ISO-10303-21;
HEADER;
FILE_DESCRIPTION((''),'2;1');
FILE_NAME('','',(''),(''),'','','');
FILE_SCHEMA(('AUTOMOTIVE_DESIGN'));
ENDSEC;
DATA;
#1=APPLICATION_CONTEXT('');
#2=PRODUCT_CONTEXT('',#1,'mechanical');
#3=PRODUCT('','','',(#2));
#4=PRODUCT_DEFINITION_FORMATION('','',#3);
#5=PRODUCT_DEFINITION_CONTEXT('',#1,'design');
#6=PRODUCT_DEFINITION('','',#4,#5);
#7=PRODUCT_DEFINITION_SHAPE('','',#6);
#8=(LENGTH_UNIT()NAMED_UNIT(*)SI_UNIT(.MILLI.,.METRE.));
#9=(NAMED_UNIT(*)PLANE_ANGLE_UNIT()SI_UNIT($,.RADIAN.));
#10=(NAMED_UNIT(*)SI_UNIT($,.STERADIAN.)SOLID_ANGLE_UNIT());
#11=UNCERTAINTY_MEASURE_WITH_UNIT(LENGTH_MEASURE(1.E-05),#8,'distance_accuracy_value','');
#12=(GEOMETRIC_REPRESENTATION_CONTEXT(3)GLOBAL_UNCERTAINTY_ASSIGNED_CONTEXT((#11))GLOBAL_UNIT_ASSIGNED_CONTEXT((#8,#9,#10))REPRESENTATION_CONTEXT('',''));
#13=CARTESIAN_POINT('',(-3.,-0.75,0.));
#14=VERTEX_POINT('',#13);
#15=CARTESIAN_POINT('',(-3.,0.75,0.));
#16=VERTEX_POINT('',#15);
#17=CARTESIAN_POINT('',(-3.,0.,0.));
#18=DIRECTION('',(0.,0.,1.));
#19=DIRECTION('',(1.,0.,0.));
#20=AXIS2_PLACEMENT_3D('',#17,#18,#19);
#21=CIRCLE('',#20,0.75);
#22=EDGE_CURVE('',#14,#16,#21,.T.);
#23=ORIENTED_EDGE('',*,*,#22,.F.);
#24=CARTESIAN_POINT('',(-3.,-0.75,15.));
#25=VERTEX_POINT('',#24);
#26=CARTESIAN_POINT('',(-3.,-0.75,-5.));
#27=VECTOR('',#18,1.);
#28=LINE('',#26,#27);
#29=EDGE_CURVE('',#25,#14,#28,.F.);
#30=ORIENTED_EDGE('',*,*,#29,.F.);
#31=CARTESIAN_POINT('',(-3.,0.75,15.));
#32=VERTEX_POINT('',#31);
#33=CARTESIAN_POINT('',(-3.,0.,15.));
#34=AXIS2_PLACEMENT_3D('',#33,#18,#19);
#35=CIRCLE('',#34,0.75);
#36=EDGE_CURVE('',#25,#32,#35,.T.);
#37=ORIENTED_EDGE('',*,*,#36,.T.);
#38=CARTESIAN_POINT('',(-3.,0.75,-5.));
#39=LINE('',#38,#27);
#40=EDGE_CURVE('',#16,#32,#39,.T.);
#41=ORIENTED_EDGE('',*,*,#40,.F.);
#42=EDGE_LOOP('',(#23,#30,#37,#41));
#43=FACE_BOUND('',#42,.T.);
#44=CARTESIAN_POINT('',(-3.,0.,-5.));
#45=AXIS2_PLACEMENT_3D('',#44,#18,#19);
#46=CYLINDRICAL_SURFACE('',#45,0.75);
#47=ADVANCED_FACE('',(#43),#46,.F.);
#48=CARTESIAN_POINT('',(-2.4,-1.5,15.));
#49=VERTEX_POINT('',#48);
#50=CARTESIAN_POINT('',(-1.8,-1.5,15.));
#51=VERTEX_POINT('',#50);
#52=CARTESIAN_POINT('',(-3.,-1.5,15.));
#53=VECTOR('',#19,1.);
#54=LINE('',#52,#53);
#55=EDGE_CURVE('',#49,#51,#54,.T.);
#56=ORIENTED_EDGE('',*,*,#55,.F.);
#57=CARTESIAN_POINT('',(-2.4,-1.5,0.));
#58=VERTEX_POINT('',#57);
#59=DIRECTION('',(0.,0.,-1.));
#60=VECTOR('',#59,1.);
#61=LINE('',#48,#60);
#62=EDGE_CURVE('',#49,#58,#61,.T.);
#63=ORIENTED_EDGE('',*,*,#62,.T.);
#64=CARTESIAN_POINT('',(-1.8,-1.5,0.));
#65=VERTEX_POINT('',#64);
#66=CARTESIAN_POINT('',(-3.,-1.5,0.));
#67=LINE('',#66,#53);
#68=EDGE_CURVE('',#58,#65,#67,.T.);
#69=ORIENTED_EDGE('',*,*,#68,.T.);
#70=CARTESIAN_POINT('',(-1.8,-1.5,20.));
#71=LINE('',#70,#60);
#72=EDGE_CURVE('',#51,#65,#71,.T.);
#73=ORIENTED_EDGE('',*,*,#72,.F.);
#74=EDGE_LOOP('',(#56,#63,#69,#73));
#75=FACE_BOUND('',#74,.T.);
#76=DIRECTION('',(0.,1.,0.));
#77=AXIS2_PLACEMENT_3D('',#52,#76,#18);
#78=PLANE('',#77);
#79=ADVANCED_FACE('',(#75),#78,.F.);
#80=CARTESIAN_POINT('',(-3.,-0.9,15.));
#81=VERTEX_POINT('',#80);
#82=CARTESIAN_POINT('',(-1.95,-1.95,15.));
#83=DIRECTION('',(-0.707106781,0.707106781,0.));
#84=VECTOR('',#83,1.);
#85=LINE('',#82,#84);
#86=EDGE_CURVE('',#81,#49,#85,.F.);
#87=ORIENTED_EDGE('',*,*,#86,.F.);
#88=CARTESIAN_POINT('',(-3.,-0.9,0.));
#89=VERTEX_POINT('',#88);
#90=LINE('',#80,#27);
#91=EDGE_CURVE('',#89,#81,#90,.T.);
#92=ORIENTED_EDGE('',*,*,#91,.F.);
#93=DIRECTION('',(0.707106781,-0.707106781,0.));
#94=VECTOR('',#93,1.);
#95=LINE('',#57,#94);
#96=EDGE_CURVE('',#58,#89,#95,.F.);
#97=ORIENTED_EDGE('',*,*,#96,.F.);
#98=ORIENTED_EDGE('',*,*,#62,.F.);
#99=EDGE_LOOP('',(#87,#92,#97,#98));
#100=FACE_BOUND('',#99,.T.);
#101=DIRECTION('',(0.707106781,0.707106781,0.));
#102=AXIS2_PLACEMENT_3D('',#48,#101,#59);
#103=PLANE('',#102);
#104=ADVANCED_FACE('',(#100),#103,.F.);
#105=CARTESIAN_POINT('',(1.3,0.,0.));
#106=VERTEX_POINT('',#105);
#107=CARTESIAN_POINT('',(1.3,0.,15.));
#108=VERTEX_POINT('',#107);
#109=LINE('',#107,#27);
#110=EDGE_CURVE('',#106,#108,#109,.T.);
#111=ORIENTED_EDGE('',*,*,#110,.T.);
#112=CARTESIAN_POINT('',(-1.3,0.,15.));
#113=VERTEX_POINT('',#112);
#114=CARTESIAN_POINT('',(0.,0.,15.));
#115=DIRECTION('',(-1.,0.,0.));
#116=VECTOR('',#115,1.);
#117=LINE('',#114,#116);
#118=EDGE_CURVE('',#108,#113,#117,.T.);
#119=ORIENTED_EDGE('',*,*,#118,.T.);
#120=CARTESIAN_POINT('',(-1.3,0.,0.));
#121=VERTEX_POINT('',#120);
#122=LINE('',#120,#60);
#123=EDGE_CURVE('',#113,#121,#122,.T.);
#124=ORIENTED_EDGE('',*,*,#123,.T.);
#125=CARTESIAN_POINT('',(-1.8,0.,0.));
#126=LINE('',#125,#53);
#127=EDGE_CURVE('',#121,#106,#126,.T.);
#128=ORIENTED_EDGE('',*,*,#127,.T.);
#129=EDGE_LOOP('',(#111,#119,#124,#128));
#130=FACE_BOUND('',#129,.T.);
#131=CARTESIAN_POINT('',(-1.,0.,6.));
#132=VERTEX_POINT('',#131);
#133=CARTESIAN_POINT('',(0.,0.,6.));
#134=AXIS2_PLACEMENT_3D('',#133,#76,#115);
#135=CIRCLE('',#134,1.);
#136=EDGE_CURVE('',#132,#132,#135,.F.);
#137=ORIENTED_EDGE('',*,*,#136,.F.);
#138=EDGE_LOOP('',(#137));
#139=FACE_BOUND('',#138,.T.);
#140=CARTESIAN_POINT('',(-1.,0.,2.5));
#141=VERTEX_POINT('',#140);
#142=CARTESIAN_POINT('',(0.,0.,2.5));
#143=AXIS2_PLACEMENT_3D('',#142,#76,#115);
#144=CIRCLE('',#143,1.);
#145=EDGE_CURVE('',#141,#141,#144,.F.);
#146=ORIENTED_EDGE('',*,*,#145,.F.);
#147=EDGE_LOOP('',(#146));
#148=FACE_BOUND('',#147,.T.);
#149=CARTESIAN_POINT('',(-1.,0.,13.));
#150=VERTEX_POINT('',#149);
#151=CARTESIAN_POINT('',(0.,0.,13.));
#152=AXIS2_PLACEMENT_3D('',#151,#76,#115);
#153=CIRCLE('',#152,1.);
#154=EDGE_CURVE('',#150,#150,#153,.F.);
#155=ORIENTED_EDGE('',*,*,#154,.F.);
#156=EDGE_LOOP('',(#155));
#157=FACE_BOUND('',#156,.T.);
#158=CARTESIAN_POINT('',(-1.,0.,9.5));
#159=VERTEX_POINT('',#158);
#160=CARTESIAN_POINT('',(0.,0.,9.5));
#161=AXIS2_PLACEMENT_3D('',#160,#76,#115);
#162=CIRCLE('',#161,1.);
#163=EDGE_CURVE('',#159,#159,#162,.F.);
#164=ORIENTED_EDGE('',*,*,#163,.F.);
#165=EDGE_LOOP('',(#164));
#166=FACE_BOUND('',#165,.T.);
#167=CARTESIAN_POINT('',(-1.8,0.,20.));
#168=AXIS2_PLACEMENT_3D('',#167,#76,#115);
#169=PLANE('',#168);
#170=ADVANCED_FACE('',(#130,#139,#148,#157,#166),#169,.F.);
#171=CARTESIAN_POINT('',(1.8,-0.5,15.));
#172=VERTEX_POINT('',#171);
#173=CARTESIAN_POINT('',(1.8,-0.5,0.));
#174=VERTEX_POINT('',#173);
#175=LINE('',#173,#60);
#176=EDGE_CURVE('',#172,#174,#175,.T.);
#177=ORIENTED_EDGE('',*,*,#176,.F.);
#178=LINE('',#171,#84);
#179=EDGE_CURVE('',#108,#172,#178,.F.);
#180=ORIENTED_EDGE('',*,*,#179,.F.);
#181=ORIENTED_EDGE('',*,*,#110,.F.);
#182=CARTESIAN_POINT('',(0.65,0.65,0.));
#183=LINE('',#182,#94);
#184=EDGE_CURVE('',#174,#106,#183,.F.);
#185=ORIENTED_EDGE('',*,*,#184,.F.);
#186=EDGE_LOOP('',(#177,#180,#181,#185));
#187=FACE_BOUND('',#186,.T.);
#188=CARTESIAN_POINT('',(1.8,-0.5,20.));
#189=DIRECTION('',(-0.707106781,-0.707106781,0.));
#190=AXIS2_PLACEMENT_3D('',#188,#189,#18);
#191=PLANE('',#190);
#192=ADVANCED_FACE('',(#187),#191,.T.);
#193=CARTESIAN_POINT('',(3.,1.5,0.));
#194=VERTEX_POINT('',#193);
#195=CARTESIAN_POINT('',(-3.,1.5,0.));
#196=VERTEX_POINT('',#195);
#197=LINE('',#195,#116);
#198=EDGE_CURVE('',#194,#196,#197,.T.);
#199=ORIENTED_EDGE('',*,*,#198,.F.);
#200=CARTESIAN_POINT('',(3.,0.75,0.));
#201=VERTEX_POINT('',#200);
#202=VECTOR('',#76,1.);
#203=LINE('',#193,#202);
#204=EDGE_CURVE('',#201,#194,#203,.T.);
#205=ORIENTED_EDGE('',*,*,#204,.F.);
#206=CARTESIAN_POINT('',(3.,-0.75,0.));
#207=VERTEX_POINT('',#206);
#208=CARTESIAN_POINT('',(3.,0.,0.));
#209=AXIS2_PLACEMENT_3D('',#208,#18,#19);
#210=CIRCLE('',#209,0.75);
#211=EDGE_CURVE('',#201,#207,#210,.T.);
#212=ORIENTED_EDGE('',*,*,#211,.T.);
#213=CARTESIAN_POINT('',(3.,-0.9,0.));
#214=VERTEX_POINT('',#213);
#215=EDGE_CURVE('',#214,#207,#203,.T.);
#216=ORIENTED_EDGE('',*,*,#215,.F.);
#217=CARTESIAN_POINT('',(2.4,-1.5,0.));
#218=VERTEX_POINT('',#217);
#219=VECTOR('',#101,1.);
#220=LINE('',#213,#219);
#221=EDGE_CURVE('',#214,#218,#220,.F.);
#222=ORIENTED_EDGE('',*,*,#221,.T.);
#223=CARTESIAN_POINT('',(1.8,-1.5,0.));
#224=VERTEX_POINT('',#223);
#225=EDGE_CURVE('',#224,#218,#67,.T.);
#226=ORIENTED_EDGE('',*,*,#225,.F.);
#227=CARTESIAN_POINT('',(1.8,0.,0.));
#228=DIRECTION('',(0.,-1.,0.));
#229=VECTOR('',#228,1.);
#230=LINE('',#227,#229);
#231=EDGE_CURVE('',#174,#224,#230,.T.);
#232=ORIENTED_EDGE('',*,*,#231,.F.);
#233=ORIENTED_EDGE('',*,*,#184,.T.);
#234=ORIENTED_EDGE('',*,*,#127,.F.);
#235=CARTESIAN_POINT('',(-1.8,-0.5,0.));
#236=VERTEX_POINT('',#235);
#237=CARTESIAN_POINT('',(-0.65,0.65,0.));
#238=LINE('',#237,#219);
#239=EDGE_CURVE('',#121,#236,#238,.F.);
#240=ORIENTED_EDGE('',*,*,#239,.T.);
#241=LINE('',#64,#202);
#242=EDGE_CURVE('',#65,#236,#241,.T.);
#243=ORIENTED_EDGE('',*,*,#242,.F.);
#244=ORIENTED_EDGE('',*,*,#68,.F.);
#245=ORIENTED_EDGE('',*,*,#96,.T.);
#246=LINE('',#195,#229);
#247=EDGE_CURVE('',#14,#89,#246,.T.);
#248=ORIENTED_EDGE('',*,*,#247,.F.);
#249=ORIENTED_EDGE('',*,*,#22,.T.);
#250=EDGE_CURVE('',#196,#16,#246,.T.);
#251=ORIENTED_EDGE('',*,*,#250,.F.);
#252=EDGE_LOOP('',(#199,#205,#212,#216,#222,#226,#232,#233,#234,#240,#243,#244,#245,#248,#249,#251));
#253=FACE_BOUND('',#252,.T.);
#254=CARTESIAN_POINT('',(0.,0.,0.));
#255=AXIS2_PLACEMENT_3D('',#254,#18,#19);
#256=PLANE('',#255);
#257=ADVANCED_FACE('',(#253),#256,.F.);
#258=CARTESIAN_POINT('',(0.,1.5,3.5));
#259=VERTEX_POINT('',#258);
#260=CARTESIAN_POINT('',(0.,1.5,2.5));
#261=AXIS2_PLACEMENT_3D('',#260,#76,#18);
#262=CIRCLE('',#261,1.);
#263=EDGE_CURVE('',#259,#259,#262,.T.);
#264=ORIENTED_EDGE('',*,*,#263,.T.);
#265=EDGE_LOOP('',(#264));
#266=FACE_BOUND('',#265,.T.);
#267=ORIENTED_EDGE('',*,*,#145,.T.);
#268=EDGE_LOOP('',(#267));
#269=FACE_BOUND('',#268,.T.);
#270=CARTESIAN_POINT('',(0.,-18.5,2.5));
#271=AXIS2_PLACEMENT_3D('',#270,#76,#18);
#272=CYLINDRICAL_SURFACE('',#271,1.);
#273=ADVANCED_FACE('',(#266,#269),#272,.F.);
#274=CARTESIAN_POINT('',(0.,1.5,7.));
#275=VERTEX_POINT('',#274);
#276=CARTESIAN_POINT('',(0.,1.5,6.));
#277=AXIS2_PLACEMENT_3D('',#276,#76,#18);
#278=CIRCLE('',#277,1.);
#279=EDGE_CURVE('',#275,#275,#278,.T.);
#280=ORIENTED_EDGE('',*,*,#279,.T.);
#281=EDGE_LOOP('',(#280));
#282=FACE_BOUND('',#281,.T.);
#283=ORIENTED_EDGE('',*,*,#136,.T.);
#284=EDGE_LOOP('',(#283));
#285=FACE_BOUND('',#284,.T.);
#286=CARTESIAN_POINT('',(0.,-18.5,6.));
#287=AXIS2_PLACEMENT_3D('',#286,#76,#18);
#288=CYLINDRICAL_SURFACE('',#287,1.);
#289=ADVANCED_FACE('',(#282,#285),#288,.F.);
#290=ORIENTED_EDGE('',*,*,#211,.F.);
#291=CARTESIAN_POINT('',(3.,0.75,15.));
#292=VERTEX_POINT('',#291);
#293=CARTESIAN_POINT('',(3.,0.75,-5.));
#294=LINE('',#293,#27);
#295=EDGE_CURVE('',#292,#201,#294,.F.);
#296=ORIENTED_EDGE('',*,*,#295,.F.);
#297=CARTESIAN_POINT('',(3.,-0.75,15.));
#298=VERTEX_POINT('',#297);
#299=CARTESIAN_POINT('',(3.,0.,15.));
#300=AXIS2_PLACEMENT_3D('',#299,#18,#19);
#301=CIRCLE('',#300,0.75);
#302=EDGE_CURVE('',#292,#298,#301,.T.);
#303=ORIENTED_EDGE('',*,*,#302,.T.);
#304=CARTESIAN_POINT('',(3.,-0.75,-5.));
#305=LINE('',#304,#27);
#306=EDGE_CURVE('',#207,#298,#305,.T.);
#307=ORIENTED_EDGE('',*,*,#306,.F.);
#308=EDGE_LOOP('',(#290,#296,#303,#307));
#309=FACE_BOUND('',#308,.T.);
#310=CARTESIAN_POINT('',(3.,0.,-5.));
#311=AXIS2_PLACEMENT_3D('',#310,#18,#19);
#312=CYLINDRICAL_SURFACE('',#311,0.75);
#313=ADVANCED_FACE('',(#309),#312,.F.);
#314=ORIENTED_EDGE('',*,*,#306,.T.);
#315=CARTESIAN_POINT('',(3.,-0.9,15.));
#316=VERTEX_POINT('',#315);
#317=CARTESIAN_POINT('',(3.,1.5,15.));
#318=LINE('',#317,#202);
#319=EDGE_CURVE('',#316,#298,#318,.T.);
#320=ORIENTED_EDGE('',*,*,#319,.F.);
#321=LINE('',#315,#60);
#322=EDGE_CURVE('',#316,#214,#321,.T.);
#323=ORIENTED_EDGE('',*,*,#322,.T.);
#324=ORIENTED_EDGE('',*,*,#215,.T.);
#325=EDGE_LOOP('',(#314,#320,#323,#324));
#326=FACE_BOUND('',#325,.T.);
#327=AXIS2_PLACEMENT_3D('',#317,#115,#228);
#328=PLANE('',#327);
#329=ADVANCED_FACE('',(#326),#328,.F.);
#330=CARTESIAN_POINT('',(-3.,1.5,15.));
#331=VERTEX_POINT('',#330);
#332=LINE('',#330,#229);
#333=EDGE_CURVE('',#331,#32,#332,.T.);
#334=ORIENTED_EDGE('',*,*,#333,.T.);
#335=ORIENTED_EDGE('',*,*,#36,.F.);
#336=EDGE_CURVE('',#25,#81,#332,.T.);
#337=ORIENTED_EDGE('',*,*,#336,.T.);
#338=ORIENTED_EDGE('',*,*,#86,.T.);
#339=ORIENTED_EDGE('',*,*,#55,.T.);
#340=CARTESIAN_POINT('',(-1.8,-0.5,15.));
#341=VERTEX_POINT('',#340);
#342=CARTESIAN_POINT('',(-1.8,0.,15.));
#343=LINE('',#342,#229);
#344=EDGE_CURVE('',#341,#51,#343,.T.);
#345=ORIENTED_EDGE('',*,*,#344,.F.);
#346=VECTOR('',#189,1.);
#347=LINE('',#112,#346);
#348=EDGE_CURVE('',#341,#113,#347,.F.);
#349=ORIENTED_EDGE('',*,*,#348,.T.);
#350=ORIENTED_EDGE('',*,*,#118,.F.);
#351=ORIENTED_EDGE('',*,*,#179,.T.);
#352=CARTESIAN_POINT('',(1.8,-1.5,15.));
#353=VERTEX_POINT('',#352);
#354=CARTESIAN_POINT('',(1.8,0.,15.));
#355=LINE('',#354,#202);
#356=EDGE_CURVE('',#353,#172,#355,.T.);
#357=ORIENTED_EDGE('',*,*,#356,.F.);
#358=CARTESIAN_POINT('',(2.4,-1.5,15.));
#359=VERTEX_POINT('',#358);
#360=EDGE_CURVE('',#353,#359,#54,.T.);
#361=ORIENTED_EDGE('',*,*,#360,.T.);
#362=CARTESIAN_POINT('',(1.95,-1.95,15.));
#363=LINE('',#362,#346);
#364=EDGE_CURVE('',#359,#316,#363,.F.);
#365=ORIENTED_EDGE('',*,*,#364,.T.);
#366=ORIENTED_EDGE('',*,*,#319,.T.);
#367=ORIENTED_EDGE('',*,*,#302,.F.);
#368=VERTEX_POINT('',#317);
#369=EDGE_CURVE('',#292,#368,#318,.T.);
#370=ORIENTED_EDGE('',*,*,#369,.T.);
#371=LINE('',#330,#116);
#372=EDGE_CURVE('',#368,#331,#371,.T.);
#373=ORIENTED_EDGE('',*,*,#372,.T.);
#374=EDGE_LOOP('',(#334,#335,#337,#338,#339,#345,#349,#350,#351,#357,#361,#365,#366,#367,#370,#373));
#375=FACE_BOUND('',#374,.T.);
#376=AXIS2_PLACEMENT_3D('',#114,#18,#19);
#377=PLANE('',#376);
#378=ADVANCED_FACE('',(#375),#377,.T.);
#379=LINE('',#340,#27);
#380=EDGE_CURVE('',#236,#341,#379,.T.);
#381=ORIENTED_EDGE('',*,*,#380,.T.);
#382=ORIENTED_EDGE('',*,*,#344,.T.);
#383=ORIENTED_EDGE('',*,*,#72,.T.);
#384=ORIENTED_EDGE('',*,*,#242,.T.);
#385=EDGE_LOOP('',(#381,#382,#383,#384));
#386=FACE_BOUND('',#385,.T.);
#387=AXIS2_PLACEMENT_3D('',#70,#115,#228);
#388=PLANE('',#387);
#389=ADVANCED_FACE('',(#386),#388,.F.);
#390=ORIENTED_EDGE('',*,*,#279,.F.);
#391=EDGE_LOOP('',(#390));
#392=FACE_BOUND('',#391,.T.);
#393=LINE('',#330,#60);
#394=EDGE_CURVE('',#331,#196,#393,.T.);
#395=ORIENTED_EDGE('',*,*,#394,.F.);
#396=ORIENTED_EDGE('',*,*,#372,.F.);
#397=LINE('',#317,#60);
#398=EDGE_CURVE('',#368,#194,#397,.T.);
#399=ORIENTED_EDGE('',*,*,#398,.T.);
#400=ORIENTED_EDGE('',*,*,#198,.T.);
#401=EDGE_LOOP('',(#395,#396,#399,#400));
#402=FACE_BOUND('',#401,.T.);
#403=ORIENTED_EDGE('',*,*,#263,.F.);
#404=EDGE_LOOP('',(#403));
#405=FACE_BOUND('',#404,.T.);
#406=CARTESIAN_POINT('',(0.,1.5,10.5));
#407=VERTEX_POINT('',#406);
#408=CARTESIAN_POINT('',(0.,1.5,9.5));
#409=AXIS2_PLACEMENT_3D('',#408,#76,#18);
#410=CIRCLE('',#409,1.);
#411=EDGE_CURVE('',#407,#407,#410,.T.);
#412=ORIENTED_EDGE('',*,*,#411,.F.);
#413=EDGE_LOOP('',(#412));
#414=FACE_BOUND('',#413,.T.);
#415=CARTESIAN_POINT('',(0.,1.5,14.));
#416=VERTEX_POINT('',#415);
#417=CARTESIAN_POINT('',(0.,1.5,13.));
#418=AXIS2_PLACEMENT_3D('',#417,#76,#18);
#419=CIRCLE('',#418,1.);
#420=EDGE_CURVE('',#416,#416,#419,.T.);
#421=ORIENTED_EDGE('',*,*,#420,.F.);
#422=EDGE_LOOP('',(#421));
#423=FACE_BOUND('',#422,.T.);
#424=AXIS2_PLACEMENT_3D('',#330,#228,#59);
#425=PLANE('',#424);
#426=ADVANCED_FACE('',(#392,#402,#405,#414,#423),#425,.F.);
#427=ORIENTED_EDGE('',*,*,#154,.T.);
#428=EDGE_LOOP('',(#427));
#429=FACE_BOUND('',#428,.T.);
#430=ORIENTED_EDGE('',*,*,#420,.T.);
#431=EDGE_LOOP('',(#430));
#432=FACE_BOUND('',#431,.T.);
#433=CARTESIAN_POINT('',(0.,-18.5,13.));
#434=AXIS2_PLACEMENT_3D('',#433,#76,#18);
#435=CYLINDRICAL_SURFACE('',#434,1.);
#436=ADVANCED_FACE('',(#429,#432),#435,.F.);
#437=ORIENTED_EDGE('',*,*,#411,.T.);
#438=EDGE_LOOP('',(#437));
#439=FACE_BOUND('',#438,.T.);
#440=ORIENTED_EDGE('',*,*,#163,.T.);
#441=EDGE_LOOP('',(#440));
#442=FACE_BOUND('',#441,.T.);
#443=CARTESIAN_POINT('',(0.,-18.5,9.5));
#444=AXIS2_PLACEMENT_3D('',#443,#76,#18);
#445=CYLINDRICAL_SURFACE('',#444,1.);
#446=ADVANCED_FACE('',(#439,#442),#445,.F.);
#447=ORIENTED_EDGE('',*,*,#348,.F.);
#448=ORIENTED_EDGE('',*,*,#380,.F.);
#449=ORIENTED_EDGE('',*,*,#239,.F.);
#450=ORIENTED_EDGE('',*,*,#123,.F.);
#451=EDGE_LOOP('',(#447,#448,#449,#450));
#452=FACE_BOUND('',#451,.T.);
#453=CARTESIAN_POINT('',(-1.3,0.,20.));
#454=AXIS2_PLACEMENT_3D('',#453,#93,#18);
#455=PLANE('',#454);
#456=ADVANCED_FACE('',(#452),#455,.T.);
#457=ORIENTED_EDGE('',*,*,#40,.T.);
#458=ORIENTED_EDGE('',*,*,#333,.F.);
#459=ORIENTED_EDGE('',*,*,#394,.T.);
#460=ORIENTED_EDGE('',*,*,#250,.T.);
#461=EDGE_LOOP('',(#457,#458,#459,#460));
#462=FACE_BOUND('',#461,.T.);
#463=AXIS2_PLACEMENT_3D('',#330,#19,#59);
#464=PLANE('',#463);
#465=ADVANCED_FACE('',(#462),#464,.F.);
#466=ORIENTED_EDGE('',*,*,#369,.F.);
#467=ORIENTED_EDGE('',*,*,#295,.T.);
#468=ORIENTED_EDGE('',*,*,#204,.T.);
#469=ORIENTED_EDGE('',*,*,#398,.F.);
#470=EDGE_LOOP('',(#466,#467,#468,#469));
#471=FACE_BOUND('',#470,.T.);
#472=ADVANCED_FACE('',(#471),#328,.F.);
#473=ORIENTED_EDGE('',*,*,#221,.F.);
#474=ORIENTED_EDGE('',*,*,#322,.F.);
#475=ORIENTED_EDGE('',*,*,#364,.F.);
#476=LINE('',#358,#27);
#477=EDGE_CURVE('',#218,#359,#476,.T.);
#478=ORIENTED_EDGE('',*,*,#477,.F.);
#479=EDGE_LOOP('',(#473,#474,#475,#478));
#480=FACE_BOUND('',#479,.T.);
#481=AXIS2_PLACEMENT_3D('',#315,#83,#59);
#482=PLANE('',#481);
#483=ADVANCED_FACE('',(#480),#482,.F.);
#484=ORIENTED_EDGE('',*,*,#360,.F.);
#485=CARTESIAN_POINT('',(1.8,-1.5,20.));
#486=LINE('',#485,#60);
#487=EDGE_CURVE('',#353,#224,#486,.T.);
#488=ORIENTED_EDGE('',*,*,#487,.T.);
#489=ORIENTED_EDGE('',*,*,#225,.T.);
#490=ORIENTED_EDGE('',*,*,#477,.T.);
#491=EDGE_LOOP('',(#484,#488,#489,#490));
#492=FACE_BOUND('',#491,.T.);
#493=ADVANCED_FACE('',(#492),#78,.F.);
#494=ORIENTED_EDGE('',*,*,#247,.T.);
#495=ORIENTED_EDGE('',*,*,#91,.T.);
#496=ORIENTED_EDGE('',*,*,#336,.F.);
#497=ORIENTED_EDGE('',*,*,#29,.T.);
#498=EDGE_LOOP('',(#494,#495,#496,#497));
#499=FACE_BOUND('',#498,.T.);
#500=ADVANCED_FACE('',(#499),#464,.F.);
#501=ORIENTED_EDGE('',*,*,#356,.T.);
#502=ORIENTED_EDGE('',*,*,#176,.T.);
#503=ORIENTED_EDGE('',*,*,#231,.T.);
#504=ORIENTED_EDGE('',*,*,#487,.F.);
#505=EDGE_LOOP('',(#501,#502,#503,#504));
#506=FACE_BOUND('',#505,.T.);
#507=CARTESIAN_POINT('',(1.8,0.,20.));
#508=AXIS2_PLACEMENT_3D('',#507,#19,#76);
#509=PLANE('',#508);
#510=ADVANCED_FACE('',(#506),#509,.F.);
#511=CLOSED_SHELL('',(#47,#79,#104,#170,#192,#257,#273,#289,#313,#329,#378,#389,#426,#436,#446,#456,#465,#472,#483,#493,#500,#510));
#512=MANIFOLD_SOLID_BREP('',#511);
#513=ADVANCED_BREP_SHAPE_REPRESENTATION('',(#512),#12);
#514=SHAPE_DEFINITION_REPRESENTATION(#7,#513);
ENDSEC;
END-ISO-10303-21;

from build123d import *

# Parameters (mm, degrees)
SKETCH1_W           = 6
SKETCH1_H           = 3
BOSS_EXTRUDE1_DEPTH = 15
SKETCH2_R           = 0.75
CUT_EXTRUDE1_DEPTH  = 20
CHAMFER1_SIZE       = 0.6
SKETCH3_R           = 1
CUT_EXTRUDE2_DEPTH  = 20
LPATTERN1_COUNT     = 4
LPATTERN1_PITCH     = 3.5
SKETCH4_W           = 3.6
SKETCH4_H           = 1.5
CUT_EXTRUDE3_DEPTH  = 20
CHAMFER2_SIZE       = 0.5


with BuildPart() as part:
    # Sketch1 → Boss-Extrude1 (new body)
    with BuildSketch(Plane.XY):
        Rectangle(SKETCH1_W, SKETCH1_H)
    extrude(amount=BOSS_EXTRUDE1_DEPTH)

    # Sketch2 → Cut-Extrude1 (cut)
    with BuildSketch(Plane.XY.offset(15)):
        with Locations((3, 0)):
            Circle(SKETCH2_R)
        with Locations((-3, 0)):
            Circle(SKETCH2_R)
    extrude(amount=-CUT_EXTRUDE1_DEPTH, mode=Mode.SUBTRACT)

    # Chamfer1
    chamfer1_edges = [part.edges().sort_by_distance(p)[0] for p in [
        (3, -1.5, 7.5),
        (-3, -1.5, 7.5),
    ]]
    chamfer(chamfer1_edges, length=CHAMFER1_SIZE)

    # Sketch3 → Cut-Extrude2 (cut)
    with BuildSketch(Plane(origin=(0, 1.5, 0), x_dir=(1, 0, 0), z_dir=(0, 1, 0))):
        with Locations((0, -2.5)):
            Circle(SKETCH3_R)
    cut_extrude2 = extrude(amount=-CUT_EXTRUDE2_DEPTH, mode=Mode.SUBTRACT)

    # LPattern1: Cut-Extrude2 ×4
    with Locations(*[(0, 0, i * LPATTERN1_PITCH) for i in range(1, LPATTERN1_COUNT)]):
        add(cut_extrude2, mode=Mode.SUBTRACT)

    # Sketch4 → Cut-Extrude3 (cut)
    with BuildSketch(Plane(origin=(0, 0, 0), x_dir=(-1, 0, 0), z_dir=(0, 0, -1))):
        with Locations((0, -0.75)):
            Rectangle(SKETCH4_W, SKETCH4_H)
    extrude(amount=-CUT_EXTRUDE3_DEPTH, mode=Mode.SUBTRACT)

    # Chamfer2
    chamfer2_edges = [part.edges().sort_by_distance(p)[0] for p in [
        (1.8, 0, 7.5),
        (-1.8, 0, 7.5),
    ]]
    chamfer(chamfer2_edges, length=CHAMFER2_SIZE)


solid = part.part
